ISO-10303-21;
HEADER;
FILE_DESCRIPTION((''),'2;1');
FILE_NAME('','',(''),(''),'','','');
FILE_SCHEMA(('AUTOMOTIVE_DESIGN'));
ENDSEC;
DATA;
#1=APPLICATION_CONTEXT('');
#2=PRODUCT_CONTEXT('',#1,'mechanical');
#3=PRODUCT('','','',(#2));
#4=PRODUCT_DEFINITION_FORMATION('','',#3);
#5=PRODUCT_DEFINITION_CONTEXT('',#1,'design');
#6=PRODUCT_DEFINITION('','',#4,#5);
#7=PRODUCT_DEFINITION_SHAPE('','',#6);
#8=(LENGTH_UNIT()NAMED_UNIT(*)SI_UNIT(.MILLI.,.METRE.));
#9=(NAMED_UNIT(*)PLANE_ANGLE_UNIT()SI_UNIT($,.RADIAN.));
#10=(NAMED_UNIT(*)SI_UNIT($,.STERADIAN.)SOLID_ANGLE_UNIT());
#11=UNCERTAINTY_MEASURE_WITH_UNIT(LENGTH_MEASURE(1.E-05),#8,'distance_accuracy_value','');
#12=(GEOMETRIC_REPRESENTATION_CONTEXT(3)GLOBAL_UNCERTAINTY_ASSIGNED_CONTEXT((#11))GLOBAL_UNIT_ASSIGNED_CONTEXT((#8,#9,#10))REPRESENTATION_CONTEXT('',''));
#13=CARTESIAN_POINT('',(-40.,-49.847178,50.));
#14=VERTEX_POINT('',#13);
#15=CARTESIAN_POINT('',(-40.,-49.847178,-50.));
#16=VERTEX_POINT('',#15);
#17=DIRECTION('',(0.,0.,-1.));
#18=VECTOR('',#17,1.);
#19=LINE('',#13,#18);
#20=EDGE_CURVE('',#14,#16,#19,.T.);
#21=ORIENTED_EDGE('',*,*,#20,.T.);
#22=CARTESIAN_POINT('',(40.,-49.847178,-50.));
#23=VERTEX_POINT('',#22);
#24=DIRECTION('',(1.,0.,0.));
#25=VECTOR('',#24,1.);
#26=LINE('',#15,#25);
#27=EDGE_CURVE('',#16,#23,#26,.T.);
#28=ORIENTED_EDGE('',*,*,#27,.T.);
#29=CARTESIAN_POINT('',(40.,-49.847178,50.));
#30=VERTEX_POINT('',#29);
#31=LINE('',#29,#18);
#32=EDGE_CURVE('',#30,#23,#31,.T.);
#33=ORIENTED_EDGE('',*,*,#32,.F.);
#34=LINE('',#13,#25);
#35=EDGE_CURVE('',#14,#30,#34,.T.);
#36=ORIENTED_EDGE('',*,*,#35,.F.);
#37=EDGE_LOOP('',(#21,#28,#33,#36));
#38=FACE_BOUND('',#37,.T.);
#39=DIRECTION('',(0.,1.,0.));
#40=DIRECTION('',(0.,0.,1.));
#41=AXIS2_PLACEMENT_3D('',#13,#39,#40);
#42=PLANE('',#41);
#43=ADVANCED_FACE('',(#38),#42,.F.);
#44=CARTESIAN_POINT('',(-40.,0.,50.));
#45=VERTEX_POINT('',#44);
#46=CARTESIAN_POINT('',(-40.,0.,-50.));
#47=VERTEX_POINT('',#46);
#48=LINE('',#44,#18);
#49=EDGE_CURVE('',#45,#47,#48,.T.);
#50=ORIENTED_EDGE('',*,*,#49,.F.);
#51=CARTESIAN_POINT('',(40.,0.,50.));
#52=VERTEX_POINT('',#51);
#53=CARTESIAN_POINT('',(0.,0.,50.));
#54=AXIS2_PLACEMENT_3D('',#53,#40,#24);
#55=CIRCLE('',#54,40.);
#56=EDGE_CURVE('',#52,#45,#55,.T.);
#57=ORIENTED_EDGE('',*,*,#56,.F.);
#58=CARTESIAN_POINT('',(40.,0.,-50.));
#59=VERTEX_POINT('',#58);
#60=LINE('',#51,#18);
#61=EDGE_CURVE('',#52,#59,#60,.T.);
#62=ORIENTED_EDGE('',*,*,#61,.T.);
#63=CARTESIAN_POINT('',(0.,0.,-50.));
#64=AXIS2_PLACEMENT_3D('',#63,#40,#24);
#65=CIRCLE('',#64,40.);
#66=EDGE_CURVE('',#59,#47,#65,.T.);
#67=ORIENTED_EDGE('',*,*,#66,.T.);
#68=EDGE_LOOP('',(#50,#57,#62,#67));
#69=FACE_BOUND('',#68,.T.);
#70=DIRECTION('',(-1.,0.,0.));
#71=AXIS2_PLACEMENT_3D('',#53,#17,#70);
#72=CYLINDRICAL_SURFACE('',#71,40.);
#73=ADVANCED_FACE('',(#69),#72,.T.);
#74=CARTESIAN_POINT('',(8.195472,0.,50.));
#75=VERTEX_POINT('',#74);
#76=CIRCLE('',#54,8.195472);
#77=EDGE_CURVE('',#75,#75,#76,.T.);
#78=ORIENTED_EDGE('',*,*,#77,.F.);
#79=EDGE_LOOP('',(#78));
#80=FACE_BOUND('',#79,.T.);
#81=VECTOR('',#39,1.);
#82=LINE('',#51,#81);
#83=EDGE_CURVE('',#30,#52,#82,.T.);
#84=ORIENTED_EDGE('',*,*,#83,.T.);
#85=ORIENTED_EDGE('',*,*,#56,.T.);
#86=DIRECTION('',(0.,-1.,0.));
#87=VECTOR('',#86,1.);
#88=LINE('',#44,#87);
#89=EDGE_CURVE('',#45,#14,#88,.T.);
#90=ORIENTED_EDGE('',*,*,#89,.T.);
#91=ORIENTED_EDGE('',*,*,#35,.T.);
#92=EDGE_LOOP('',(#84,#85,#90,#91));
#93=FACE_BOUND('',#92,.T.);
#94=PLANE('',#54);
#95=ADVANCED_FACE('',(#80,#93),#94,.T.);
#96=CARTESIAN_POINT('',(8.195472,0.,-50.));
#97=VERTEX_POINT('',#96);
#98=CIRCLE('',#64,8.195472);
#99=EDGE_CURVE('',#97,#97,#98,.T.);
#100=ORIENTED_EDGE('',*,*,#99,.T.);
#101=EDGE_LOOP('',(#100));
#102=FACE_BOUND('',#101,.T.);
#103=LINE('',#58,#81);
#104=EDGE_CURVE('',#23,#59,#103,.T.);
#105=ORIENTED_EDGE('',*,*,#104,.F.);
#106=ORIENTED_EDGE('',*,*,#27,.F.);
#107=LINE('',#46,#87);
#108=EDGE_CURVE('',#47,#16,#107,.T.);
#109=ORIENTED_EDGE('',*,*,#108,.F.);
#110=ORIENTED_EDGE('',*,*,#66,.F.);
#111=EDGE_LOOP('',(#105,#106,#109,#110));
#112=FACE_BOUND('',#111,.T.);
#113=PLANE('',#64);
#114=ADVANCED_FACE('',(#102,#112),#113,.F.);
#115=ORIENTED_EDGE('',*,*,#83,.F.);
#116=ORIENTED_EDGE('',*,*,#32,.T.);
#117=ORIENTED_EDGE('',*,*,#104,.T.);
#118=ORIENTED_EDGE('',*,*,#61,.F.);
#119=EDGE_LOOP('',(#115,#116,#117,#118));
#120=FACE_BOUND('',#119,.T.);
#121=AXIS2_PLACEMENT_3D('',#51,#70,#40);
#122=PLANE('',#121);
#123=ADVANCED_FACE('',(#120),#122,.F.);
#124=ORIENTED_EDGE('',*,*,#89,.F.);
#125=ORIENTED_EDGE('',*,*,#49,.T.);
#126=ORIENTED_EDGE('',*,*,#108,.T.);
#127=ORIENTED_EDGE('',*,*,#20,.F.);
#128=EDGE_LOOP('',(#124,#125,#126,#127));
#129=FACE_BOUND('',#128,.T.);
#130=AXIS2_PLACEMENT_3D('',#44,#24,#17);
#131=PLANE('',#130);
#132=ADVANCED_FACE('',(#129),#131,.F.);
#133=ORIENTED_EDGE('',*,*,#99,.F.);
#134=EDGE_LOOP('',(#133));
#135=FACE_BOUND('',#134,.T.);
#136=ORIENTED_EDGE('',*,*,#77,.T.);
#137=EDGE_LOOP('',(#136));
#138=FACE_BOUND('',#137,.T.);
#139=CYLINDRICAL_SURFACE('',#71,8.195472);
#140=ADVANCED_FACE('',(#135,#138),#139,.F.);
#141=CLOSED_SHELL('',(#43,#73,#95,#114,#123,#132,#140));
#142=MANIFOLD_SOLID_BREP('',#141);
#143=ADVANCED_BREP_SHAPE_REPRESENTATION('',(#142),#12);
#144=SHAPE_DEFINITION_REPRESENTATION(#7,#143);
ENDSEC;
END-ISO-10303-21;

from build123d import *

# Parameters (mm, degrees)
CROQUIS1_R              = 8.195471625
SALIENTE_EXTRUIR1_DEPTH = 50


with BuildPart() as part:
    # Croquis1 → Saliente-Extruir1 (new, symmetric)
    with BuildSketch(Plane.XY):
        with BuildLine():
            Line((-40, 0), (-40, -49.847177631))
            Line((-40, -49.847177631), (40, -49.847177631))
            Line((40, -49.847177631), (40, 0))
            ThreePointArc((40, 0), (0, 40), (-40, 0))
        make_face()
        Circle(CROQUIS1_R, mode=Mode.SUBTRACT)
    extrude(amount=SALIENTE_EXTRUIR1_DEPTH, both=True)


solid = part.part
